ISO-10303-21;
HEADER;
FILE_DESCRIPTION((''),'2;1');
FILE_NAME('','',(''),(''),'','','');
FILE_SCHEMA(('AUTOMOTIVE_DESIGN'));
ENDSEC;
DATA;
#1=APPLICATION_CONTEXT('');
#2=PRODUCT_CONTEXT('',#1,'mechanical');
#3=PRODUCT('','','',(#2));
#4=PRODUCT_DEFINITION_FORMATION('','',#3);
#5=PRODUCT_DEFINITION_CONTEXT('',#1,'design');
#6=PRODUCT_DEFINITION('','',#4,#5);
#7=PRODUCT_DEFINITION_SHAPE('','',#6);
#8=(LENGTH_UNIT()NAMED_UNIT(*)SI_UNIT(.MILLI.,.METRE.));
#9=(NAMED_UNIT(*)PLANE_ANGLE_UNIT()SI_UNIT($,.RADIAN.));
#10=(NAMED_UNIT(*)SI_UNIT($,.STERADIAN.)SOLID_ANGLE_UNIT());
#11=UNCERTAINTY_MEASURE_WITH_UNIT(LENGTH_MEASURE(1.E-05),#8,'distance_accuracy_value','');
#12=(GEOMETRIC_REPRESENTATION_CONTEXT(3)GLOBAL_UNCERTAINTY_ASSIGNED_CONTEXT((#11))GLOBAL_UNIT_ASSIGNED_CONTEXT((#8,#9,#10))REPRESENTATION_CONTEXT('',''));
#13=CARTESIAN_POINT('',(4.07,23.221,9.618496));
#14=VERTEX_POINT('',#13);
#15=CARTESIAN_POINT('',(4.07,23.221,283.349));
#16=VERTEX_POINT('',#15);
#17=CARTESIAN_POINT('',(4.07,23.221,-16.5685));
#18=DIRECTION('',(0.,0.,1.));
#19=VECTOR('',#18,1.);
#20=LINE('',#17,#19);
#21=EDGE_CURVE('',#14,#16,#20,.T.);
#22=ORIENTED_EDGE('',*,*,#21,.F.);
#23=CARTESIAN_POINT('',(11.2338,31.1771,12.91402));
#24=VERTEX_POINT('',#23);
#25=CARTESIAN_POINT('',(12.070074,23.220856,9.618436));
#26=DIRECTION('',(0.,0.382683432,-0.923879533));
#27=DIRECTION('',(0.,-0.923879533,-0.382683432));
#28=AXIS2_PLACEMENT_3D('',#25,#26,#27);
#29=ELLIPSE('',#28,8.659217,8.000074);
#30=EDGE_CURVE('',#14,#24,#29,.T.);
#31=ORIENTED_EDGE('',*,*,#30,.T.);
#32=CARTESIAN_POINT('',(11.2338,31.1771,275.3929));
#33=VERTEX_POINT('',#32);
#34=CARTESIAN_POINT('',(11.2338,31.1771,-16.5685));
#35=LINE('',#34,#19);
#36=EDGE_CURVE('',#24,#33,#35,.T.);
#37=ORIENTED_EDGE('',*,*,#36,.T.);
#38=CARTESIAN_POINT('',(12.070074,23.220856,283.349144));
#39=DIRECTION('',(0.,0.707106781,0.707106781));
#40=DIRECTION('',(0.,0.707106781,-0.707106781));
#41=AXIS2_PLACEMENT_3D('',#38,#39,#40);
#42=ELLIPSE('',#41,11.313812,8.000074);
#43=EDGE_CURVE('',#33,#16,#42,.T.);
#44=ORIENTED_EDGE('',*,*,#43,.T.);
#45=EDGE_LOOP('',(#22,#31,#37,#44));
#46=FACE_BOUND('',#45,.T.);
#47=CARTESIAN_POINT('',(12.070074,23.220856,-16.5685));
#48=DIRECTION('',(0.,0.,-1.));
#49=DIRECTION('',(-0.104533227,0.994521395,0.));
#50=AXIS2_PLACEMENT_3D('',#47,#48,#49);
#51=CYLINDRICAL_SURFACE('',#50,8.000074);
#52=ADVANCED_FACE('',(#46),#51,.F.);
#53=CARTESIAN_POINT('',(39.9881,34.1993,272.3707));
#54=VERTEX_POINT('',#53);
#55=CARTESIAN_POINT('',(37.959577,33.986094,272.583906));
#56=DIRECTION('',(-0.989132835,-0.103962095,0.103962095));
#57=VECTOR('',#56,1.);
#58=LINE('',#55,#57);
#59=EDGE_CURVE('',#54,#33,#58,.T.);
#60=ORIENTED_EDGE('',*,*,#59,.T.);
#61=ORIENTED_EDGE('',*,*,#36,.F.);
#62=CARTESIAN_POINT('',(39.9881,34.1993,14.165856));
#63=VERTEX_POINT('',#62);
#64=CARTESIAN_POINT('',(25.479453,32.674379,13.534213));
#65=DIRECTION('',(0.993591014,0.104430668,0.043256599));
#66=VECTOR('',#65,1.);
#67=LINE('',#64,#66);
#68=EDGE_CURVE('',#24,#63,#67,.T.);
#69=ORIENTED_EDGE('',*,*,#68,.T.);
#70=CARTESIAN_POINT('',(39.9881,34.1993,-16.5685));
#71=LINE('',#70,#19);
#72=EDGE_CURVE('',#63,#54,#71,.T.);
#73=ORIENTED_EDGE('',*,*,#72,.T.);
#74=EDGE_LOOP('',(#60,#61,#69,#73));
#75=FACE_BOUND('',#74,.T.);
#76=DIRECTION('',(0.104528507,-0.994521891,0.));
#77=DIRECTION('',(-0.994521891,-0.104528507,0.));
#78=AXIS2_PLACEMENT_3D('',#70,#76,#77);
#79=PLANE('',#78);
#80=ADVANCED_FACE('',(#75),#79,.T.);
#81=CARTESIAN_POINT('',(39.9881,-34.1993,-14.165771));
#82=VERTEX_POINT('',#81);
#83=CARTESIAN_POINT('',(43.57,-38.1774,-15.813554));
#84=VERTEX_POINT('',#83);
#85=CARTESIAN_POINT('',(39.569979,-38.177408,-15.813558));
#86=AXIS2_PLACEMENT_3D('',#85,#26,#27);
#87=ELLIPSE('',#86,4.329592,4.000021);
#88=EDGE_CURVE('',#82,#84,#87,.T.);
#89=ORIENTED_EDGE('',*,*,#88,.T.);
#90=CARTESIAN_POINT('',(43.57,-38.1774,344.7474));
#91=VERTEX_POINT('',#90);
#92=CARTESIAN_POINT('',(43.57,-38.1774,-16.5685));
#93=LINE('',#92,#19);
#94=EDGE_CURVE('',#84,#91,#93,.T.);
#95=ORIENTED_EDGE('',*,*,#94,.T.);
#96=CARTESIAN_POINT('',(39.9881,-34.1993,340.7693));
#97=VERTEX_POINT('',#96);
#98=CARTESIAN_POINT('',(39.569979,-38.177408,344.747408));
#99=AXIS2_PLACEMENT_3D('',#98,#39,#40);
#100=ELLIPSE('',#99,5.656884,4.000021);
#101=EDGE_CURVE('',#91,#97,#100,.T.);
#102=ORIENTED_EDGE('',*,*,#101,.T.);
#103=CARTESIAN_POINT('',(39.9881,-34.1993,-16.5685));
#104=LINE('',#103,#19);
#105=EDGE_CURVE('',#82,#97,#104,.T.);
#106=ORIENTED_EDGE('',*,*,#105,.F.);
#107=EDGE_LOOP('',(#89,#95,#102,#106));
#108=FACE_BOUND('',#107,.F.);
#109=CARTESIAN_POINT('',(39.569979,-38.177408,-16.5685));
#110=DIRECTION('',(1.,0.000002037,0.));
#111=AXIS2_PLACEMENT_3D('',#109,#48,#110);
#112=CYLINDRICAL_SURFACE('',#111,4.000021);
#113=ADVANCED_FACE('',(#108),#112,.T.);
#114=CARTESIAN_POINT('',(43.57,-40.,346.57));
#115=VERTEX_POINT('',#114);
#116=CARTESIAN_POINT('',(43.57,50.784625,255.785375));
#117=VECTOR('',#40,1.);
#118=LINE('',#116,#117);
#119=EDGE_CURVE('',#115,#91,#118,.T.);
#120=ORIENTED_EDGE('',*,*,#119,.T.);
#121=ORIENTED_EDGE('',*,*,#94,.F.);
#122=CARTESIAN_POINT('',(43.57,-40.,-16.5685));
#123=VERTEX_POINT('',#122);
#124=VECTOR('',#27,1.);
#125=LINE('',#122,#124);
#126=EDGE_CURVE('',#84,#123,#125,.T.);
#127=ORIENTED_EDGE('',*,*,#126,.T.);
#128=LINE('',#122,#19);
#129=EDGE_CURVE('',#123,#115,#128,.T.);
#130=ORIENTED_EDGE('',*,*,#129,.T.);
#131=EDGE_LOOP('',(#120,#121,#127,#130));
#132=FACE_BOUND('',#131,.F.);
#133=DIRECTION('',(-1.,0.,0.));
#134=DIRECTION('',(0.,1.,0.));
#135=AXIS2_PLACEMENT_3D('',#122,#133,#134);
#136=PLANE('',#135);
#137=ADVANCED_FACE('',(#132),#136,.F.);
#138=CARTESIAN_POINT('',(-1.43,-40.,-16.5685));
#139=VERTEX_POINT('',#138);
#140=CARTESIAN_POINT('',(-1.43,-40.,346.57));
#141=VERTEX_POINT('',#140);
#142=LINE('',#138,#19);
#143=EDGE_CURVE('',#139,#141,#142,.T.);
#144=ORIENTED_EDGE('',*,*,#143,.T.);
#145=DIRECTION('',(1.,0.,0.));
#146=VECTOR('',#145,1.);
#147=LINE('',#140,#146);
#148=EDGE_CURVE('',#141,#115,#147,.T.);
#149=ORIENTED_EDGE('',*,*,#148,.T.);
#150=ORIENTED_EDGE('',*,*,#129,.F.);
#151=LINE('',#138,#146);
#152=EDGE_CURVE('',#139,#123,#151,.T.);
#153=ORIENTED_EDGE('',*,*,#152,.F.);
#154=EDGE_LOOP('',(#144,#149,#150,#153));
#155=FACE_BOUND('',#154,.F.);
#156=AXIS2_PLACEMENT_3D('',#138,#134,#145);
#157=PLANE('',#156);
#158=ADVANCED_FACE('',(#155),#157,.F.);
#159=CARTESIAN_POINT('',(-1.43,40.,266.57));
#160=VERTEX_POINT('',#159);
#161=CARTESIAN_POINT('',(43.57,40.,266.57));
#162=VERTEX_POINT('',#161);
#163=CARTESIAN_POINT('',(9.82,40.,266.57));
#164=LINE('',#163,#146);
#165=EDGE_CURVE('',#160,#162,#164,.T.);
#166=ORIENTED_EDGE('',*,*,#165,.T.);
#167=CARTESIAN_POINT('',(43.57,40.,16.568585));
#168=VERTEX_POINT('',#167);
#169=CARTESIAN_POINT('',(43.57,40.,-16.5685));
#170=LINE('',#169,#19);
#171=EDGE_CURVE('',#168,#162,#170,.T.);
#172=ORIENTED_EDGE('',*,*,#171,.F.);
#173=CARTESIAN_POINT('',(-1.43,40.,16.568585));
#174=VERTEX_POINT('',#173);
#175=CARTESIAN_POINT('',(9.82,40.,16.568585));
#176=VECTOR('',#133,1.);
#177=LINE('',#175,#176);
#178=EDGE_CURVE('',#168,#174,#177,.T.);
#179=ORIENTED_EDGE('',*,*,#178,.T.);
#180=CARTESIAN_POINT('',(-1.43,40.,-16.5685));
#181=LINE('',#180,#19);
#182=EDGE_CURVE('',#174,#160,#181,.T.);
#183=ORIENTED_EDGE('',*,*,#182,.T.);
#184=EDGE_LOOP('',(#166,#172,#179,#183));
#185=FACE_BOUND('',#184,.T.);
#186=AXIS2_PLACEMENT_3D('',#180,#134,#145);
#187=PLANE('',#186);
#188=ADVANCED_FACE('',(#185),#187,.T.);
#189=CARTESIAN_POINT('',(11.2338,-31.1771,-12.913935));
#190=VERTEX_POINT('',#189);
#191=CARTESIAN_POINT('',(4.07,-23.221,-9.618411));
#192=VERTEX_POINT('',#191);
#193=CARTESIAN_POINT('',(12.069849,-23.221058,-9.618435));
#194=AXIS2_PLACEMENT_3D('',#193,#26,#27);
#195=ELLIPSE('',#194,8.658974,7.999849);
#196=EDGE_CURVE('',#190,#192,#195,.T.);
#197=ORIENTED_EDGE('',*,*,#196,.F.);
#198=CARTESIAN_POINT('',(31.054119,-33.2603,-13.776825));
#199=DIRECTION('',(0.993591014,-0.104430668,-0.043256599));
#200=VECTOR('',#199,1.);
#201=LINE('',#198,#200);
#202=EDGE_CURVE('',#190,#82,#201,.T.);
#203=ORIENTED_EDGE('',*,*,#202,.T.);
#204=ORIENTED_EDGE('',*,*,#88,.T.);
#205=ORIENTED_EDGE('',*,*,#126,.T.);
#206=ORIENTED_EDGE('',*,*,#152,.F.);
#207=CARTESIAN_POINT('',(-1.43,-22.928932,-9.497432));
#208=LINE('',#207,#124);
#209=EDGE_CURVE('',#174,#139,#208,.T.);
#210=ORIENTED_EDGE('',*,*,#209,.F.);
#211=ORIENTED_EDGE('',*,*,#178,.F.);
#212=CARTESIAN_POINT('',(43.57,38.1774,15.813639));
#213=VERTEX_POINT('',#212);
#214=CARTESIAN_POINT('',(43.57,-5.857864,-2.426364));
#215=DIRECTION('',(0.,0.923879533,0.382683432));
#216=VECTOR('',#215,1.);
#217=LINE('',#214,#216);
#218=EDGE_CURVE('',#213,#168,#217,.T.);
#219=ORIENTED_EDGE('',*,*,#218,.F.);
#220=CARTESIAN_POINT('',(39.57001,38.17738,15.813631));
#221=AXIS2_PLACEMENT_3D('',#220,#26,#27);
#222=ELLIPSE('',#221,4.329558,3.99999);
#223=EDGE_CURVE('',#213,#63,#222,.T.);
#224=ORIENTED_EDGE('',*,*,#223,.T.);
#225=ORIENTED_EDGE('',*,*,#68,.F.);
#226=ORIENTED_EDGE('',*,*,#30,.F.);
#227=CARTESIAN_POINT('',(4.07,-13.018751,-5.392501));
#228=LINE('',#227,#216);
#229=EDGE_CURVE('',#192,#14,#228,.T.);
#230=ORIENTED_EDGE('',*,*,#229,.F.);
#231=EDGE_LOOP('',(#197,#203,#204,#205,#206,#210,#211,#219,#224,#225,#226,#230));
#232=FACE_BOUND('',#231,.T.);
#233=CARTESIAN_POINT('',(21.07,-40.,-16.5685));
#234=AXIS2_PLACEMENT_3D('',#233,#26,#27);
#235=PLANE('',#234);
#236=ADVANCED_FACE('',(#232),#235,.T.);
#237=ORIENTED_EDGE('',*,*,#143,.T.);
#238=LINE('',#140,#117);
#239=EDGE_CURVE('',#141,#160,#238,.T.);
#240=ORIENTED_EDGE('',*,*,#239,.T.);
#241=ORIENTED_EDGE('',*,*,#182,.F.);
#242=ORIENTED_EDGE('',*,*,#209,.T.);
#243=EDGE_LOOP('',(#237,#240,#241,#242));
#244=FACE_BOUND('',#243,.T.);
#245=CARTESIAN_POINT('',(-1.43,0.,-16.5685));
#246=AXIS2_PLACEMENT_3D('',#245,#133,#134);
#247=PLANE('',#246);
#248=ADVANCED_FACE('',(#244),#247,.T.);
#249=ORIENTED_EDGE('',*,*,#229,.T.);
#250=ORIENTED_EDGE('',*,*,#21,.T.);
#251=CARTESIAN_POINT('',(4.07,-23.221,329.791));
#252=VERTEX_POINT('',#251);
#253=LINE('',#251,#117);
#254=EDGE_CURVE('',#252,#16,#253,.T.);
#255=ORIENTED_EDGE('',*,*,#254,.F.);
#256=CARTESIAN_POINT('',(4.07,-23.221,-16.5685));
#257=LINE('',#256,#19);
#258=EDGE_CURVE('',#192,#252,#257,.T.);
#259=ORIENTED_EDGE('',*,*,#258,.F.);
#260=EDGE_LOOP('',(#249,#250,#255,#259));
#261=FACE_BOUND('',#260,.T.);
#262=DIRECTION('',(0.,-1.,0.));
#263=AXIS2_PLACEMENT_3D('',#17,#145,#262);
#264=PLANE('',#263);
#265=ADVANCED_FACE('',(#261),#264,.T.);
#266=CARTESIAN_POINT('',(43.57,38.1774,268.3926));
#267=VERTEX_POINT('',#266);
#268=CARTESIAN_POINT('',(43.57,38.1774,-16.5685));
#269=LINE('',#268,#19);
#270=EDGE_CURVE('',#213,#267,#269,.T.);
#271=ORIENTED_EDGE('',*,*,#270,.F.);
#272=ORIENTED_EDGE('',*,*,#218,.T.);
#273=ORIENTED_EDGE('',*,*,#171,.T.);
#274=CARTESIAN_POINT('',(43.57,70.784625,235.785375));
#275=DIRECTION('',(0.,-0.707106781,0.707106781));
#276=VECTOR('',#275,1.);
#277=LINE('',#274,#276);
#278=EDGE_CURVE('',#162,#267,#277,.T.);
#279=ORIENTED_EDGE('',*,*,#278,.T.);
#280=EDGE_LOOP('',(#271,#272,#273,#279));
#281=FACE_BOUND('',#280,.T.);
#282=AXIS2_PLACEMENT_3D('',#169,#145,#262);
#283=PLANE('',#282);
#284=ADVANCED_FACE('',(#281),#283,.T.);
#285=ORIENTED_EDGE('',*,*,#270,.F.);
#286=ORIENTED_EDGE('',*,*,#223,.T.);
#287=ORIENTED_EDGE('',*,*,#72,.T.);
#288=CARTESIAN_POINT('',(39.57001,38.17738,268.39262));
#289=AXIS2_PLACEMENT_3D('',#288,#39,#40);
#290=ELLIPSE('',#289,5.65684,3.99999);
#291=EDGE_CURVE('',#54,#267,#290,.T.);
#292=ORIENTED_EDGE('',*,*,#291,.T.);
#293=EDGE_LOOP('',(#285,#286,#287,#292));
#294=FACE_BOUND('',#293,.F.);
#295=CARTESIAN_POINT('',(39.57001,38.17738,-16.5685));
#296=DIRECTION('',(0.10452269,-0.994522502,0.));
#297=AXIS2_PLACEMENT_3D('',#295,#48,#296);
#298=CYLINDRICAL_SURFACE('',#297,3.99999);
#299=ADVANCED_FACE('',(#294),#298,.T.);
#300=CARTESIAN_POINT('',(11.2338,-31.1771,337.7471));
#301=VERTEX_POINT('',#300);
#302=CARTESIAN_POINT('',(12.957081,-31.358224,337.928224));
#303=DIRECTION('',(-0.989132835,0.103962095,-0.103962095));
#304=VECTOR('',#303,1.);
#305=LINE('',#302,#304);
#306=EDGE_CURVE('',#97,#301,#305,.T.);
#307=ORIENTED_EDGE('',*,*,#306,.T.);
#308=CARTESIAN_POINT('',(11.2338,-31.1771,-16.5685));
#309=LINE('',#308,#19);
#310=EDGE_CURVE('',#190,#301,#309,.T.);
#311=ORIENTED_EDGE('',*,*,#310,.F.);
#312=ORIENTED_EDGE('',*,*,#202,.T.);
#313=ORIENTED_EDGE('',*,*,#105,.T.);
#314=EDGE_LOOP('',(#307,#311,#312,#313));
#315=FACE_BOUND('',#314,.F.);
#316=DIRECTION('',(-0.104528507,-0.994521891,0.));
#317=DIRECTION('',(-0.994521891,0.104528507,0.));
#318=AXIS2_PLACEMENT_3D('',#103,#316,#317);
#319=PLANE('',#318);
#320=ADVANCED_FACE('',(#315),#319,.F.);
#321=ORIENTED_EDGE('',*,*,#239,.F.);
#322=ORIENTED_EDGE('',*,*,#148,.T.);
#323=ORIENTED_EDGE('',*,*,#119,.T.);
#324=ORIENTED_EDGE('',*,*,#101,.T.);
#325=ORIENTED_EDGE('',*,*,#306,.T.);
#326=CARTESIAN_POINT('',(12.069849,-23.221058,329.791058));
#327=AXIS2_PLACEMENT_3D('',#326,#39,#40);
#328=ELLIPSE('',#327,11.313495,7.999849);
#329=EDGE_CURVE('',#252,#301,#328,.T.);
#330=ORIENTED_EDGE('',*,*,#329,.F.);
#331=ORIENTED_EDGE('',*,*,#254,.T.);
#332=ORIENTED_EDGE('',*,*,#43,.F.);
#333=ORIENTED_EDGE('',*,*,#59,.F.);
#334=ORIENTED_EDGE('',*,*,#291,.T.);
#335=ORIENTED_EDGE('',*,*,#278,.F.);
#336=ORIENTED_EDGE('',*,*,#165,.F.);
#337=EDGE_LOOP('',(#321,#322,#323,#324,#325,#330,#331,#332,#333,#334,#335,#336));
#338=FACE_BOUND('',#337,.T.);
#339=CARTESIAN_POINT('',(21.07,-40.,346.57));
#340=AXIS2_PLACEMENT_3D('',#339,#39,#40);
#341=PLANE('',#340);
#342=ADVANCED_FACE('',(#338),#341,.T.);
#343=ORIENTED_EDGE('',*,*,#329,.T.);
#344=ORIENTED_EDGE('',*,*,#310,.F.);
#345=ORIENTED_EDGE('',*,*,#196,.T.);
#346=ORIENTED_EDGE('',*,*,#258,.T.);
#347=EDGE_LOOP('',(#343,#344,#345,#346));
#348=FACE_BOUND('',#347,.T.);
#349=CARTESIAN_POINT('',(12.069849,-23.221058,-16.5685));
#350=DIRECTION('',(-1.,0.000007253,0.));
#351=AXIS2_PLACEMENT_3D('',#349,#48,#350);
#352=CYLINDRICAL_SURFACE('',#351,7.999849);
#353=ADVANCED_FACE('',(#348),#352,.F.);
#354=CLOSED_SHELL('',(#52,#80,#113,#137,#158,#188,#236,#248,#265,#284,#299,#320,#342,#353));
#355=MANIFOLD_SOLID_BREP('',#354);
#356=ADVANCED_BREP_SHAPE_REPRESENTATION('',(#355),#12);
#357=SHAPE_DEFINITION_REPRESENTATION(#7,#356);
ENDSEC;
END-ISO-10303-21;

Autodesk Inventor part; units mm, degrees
ref_plane "Начальная плоскость" through (0, 0, -16.5685) normal (0, 0, 1) x (1, 0, 0)
ref_plane "Конечная плоскость" through (0, 0, 346.57) normal (0, 0, 1) x (1, 0, 0)
sketch "Эскиз" plane through (0, 0, 0) normal (0, 0, 1) x (1, 0, 0)
  line L0 (-1.43, 0) -> (-1.43, 40)
  line L1 (-1.43, 40) -> (43.57, 40)
  line L2 (43.57, 40) -> (43.57, 38.1774)
  line L3 (39.9881, 34.1993) -> (11.2338, 31.1771)
  line L4 (4.07, 23.221) -> (4.07, 0)
  line L5 (4.07, 0) -> (-1.43, 0) construction
  line L6 (23.82, 40) -> (23.82, 32.5) construction
  line L7 (43.57, 34.5758) -> (43.57, 32.5) construction
  line L8 (43.57, 32.5) -> (23.82, 32.5) construction
  line L9 (0, 15) -> (0, -27) construction
  line L10 (-5.539, 0) -> (16.0067, 0) construction
  line L11 (-1.43, 0) -> (-1.43, -40)
  line L12 (-1.43, -40) -> (43.57, -40)
  line L13 (43.57, -40) -> (43.57, -38.1774)
  line L14 (39.9881, -34.1993) -> (11.2338, -31.1771)
  line L15 (4.07, -23.221) -> (4.07, 0)
  arc A0 (11.2338, 31.1771) -> (4.07, 23.221) centre (12.07, 23.221) ccw
  arc A1 (4.07, -23.221) -> (11.2338, -31.1771) centre (12.07, -23.221) ccw
  arc A2 (39.9881, 34.1993) -> (43.57, 38.1774) centre (39.57, 38.1774) ccw
  arc A3 (43.57, -38.1774) -> (39.9881, -34.1993) centre (39.57, -38.1774) ccw
  line L16 (0, 56) -> (0, -56) construction
  line L17 (-15.5135, 0) -> (54.308, 0) construction
  point P0 (4.07, 30.4242)
  point P1 (43.57, -34.5758)
  point P2 (4.07, -30.4242)
  point P3 (23.82, -40)
  point P4 (23.82, -32.5)
  dimension "d0" = 5.5
  dimension "d1" = 40
  dimension "d2" = 45
  dimension "d3" = 7.5
  dimension "d4" = 19.75
  dimension "d5" = 2.0758
  dimension "d23" = 8
  dimension "d24" = 4
  dimension "d25" = 1.43
extrude "Тело" add sketch "Эскиз" along normal up to surface (363.1385 mm away) from surface at -16.5685
sketch "Sketch3" plane through (0, 0, 0) normal (0, 0, 1) x (1, 0, 0)
  line L0 (0, 0) -> (10, 0)
ref_plane "Work Plane3" through (0, 0, 0) normal (0, -1, 0) x (1, 0, 0)
sketch "Sketch4" plane through (0, 0, 0) normal (0, -1, 0) x (1, 0, 0)
  line L0 (-2, -16.5685) -> (12, -16.5685)
  line L1 (-2, 346.57) -> (12, 346.57)
  dimension "d29" = 363.1385
ref_plane "РабПлоскость4" through (21.07, -40, 346.57) normal (0, 0.7071, 0.7071) x (1, 0, 0)
split "Разделение1" plane through (21.07, -40, 346.57) removes the side toward (0, 0.7071, 0.7071)
ref_plane "РабПлоскость5" through (21.07, -40, -16.5685) normal (0, 0.3827, -0.9239) x (1, 0, 0)
split "Разделение2" plane through (21.07, -40, -16.5685) removes the side toward (0, 0.3827, -0.9239)
equation "\"d0\" = G_T"
equation "\"d1\" = 0.5 * G_H"
equation "\"d2\" = G_W"
equation "\"d3\" = G_T1"
equation "\"d4\" = G_C"
equation "\"d23\" = G_IR"
equation "\"d24\" = G_ER"
equation "\"d25\" = ex"
equation "\"d6\" = G_L"
equation "\"G_W\" = 45"
equation "\"G_T\" = 5.5"
equation "\"G_T1\" = 7.5"
equation "\"G_NG\" = 0.105104"
equation "\"G_ER\" = 4"
equation "\"G_IR\" = 8"
equation "\"G_C\" = 19.75"
equation "\"G_L\" = d29"
equation "\"ex\" = 1.43"
equation "\"G_OFFSET_START\" = 16.56854"
equation "\"d26\" = -G_OFFSET_START"
equation "\"d27\" = G_OFFSET_END + B_L"
equation "\"B_L\" = 306.57"
equation "\"G_H\" = 80"
equation "\"G_OFFSET_END\" = 40"
properties part number "ISO 657/11 - CH 80 x 8 - 363,14" material "Сталь, мягкая"
